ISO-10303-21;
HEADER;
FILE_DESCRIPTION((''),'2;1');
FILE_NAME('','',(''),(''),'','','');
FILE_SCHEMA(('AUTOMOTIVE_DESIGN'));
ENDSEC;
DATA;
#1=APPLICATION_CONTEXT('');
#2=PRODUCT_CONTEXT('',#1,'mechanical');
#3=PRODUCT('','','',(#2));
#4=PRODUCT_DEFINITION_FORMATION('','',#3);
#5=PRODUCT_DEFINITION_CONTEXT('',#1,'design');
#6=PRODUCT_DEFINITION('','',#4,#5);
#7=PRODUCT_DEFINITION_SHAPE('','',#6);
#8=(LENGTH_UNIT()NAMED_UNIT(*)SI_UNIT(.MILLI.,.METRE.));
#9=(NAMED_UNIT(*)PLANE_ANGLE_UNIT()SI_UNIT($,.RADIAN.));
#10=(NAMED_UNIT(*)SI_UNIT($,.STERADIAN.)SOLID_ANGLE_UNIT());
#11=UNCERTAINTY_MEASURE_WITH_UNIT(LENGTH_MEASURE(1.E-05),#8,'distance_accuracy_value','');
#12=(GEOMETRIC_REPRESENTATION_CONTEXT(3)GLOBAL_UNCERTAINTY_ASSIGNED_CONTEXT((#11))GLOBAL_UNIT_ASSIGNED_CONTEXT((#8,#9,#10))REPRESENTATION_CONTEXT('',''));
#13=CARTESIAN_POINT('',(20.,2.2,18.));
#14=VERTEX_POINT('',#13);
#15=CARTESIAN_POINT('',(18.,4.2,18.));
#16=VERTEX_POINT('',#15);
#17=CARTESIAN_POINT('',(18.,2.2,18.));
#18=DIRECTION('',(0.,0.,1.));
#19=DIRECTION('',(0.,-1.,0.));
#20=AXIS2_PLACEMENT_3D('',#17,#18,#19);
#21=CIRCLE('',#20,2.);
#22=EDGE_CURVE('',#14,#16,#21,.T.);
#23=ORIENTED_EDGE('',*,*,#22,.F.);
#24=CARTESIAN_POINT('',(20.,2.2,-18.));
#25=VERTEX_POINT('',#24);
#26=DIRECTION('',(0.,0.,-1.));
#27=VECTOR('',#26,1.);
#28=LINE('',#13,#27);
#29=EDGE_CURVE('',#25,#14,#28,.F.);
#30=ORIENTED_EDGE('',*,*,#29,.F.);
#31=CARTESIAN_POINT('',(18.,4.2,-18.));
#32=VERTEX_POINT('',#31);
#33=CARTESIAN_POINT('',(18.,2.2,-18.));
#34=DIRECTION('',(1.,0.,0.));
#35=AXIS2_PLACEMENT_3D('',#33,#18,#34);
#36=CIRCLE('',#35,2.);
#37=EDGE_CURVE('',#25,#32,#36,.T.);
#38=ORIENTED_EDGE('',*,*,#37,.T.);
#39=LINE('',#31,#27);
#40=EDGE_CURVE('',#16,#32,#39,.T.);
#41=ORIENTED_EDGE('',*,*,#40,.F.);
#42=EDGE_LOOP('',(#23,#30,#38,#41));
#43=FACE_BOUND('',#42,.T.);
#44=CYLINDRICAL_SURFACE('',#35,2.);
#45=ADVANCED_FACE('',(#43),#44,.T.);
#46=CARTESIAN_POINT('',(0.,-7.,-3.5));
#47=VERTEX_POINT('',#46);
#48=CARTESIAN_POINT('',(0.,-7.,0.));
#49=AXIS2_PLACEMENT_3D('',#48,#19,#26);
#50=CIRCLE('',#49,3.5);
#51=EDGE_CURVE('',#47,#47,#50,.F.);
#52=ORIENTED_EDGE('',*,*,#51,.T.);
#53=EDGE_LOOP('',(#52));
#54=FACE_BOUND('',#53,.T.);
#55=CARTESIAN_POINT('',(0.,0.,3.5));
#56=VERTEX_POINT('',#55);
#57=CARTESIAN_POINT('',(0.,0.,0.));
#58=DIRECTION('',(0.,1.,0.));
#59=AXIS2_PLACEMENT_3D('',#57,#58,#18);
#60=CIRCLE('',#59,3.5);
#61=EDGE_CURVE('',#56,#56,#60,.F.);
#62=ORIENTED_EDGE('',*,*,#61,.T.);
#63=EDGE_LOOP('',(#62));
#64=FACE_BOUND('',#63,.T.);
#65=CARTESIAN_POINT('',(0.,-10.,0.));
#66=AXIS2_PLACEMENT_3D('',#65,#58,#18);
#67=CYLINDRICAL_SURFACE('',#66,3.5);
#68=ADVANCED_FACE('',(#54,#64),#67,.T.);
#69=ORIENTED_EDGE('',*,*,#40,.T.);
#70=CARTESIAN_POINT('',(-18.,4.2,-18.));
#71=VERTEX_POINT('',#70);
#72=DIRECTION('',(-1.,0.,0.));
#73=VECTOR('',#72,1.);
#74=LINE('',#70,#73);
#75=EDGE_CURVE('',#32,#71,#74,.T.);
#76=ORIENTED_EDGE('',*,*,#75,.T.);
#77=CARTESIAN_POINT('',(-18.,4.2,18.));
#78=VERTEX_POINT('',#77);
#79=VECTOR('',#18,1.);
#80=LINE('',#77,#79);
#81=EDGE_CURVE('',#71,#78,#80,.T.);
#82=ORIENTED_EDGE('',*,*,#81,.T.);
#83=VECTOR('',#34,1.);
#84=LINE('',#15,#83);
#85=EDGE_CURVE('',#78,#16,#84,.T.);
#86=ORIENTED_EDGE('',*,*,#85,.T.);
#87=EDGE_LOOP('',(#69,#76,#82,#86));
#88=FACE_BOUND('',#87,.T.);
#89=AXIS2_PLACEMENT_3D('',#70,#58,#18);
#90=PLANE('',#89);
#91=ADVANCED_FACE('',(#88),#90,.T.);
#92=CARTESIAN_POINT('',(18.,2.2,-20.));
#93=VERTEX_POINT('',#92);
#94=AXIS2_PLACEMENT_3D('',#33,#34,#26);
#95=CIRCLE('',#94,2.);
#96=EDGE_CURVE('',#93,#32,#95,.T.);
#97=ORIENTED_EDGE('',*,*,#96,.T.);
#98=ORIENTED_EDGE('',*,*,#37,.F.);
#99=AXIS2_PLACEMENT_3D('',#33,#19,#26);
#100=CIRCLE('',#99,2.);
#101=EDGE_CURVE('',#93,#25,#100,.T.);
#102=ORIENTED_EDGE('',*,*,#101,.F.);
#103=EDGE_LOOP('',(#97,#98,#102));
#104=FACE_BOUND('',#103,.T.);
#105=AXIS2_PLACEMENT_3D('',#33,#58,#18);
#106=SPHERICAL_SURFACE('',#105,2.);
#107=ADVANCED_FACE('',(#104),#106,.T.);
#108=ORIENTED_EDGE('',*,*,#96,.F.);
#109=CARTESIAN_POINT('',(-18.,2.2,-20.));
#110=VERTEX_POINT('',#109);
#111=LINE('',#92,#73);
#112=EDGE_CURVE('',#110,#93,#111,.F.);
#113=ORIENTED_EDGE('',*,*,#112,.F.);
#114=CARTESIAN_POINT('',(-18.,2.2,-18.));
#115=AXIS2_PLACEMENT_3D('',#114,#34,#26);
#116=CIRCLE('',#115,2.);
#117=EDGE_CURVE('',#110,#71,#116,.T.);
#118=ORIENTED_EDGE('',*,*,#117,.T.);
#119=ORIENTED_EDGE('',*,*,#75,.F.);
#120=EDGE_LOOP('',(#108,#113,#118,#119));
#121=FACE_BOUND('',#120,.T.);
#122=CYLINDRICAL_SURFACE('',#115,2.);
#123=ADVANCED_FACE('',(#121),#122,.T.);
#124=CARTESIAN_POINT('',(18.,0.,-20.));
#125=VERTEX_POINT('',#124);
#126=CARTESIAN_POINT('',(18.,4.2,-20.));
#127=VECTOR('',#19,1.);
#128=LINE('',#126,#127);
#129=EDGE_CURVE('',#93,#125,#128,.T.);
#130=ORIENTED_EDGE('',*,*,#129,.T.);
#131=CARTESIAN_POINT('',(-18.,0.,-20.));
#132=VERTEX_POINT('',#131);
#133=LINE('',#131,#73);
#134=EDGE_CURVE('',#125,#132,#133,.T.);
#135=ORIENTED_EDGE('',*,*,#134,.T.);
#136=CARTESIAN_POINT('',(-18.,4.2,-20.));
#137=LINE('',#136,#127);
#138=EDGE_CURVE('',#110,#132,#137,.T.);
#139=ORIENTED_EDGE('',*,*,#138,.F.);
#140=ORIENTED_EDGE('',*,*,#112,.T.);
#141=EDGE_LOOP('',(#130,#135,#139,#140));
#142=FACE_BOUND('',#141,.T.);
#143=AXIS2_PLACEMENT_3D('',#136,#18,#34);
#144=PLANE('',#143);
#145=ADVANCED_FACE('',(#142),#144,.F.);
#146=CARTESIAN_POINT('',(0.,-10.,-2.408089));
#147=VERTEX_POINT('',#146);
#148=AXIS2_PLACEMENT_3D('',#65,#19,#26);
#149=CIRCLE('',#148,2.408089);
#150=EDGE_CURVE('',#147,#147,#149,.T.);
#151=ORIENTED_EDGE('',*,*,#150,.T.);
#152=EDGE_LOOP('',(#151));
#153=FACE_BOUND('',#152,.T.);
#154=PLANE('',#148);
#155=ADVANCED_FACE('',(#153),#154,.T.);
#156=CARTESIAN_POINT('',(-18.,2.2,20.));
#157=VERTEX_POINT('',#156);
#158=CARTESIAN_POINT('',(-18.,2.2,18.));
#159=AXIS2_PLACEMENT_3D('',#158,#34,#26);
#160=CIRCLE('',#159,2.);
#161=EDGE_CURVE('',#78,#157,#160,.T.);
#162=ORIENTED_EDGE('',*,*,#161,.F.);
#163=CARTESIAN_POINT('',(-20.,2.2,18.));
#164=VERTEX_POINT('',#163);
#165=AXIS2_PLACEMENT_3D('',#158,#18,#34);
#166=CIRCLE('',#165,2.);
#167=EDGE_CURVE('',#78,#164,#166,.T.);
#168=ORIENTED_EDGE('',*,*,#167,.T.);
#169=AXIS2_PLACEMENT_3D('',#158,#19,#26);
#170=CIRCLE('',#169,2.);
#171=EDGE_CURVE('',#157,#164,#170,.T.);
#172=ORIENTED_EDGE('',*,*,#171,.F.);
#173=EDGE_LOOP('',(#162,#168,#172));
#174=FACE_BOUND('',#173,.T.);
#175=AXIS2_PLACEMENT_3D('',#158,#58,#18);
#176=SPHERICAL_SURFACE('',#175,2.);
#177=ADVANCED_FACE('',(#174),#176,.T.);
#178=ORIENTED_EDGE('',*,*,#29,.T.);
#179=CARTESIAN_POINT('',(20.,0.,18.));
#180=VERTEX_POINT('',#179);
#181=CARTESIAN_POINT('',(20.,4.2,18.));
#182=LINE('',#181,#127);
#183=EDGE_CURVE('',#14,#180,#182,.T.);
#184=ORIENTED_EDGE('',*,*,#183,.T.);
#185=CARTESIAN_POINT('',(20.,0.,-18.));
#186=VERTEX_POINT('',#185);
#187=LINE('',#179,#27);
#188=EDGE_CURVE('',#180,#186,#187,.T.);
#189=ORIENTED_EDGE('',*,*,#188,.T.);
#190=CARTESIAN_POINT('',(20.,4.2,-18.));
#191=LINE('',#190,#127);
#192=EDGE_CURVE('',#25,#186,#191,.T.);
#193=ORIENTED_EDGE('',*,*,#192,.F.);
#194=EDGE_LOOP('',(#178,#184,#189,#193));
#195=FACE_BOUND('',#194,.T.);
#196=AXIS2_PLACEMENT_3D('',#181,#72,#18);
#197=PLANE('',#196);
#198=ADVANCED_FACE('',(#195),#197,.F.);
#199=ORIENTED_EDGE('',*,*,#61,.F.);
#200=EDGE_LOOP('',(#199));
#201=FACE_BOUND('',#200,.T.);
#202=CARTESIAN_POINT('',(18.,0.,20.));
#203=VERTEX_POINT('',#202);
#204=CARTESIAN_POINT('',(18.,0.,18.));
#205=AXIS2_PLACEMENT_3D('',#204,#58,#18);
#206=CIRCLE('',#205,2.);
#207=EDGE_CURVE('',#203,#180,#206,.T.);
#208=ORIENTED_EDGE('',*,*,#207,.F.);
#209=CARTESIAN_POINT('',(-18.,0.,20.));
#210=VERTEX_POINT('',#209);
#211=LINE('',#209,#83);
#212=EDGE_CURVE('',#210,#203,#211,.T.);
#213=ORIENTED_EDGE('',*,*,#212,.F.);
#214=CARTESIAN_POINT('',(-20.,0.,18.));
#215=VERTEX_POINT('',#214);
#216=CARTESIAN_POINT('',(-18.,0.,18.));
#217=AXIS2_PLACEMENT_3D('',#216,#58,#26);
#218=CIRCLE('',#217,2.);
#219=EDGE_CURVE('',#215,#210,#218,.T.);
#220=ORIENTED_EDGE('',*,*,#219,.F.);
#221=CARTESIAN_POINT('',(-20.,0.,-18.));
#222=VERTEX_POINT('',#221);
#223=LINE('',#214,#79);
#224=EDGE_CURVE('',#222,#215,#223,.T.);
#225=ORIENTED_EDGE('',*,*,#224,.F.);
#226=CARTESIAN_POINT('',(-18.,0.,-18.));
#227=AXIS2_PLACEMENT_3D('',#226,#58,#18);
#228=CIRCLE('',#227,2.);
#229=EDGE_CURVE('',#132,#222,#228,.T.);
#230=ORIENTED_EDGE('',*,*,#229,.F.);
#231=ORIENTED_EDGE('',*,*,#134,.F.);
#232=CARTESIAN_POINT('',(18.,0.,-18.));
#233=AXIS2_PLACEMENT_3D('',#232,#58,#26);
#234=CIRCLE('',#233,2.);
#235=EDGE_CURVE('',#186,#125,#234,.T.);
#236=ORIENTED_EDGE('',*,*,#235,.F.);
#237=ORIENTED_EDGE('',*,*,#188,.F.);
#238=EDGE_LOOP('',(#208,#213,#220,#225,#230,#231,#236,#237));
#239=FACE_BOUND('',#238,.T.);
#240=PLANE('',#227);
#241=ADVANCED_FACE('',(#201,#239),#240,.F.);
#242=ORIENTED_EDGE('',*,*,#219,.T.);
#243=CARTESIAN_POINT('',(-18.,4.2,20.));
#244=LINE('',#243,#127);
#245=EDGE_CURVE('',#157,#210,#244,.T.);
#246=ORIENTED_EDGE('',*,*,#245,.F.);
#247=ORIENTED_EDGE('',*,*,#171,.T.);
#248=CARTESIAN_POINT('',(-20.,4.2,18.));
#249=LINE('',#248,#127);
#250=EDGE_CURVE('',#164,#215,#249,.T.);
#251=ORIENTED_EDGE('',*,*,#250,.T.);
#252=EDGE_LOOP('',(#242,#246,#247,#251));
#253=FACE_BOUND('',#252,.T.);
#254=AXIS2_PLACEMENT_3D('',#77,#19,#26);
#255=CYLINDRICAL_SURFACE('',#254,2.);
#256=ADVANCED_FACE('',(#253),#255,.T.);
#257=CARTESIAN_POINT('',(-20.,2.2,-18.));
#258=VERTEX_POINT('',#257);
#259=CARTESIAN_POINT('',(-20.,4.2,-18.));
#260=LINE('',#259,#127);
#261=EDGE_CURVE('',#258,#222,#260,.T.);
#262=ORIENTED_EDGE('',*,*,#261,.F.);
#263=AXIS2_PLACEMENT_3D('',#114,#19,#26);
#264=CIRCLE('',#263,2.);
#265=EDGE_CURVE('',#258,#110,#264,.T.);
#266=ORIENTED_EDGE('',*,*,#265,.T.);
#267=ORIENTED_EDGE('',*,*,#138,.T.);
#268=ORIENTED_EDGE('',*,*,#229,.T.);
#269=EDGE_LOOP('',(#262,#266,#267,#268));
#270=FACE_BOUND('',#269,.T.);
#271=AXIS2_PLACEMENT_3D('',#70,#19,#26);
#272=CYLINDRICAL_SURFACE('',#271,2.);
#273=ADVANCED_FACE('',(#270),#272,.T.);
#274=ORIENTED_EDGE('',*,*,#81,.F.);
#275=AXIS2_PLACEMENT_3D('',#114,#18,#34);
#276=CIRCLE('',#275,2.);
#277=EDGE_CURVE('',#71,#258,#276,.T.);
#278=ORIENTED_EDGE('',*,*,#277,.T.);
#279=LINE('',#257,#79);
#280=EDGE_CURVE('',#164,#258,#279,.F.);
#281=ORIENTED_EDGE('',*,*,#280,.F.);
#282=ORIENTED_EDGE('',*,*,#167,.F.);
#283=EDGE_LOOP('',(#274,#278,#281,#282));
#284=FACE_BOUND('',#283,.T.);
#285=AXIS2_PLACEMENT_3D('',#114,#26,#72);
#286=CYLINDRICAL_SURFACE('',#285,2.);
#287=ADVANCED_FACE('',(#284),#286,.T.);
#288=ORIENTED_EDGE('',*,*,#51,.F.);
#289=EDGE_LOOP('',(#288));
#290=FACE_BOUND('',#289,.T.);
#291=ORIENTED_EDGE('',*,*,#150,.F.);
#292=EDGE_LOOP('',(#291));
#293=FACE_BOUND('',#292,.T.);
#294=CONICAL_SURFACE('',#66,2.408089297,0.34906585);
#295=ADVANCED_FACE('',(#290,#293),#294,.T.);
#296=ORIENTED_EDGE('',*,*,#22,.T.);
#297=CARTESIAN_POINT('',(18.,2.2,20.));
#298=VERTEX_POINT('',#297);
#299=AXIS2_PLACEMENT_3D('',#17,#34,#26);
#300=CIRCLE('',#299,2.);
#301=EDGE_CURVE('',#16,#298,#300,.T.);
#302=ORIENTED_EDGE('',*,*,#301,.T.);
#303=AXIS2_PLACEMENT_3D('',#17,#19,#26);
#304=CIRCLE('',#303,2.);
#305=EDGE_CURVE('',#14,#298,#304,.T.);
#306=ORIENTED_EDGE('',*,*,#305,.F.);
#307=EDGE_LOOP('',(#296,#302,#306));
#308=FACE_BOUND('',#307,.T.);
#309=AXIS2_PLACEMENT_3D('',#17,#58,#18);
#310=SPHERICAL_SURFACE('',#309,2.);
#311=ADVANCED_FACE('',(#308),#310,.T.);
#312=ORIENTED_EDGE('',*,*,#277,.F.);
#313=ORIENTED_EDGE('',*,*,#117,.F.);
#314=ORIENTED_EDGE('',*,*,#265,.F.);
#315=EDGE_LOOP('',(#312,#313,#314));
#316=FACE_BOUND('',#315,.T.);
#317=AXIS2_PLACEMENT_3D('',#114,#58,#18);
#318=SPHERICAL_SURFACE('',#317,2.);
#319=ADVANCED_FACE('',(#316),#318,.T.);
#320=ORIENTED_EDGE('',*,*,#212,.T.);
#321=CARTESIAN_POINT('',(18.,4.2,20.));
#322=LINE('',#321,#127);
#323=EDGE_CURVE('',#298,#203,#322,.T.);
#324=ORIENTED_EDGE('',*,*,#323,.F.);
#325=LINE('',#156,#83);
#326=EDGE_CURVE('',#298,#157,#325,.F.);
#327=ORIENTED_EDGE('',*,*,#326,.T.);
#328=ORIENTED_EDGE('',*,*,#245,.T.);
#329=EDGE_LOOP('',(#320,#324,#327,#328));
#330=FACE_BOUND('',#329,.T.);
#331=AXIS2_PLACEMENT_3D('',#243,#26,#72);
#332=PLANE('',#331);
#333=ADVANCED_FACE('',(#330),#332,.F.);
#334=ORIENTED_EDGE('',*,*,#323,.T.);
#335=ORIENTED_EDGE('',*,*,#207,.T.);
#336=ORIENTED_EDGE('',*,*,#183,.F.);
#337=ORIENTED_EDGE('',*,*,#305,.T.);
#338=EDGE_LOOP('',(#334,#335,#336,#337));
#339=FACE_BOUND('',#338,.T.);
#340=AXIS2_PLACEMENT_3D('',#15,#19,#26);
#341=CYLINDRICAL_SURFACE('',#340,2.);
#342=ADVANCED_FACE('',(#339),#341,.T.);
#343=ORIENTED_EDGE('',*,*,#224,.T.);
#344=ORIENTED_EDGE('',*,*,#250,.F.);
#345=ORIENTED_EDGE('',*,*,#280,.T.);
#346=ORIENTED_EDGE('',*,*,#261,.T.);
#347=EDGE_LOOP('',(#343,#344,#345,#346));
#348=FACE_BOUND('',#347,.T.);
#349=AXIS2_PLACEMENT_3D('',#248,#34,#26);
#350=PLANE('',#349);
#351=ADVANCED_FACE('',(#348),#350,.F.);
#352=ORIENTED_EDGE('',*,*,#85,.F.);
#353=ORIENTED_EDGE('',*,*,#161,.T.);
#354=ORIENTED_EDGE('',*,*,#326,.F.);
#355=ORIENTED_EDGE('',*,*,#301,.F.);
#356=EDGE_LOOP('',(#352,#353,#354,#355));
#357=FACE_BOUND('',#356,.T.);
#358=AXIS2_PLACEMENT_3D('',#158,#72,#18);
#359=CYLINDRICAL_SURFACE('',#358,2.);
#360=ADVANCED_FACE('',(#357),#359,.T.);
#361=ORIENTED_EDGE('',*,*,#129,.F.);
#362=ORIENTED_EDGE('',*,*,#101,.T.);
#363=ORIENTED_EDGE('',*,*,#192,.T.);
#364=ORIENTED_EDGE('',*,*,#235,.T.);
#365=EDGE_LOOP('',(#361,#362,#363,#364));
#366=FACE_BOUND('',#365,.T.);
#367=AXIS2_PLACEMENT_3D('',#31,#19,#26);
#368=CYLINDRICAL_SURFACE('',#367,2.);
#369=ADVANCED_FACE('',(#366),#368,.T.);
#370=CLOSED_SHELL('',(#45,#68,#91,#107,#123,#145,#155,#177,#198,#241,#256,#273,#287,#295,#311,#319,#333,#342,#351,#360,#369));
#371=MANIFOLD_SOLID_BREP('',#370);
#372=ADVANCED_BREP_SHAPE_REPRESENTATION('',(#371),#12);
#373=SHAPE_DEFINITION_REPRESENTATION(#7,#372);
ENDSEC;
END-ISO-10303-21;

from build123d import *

# Parameters (mm, degrees)
AUFSATZ_LINEAR_AUSTRAGEN1_DEPTH = 4.2
VERRUNDUNG1_R                   = 2
SKIZZE2_R                       = 3.5
AUFSATZ_LINEAR_AUSTRAGEN2_DEPTH = 10
FASE1_SIZE                      = 3
FASE1_SIZE2                     = 1.091910703


with BuildPart() as part:
    # Skizze1 → Aufsatz-Linear austragen1 (new body)
    with BuildSketch(Plane(origin=(0, 0, 0), x_dir=(1, 0, 0), z_dir=(0, 1, 0))):
        with BuildLine():
            Line((-20, -18), (-20, 18))
            ThreePointArc((-20, 18), (-19.414213562, 19.414213562), (-18, 20))
            Line((-18, 20), (18, 20))
            ThreePointArc((18, 20), (19.414213562, 19.414213562), (20, 18))
            Line((20, 18), (20, -18))
            ThreePointArc((20, -18), (19.414213562, -19.414213562), (18, -20))
            Line((18, -20), (-18, -20))
            ThreePointArc((-18, -20), (-19.414213562, -19.414213562), (-20, -18))
        make_face()
    extrude(amount=AUFSATZ_LINEAR_AUSTRAGEN1_DEPTH)

    # Verrundung1
    verrundung1_edges = [part.edges().sort_by_distance(p)[0] for p in [
        (-19.414213562, 4.2, 19.414213562),
        (0, 4.2, 20),
        (19.414213562, 4.2, 19.414213562),
        (20, 4.2, 0),
        (19.414213562, 4.2, -19.414213562),
        (0, 4.2, -20),
        (-19.414213562, 4.2, -19.414213562),
        (-20, 4.2, 0),
    ]]
    fillet(verrundung1_edges, radius=VERRUNDUNG1_R)

    # Skizze2 → Aufsatz-Linear austragen2 (add)
    with BuildSketch(Plane.XZ):
        with Locations(Location((0, 0, 0), (0, 0, 90))):
            Circle(SKIZZE2_R)
    extrude(amount=AUFSATZ_LINEAR_AUSTRAGEN2_DEPTH)

    # Fase1
    fase1_edges = [part.edges().sort_by_distance(p)[0] for p in [
        (0, -10, -3.5),
    ]]
    fase1_side = [part.faces().sort_by_distance(p)[0] for p in [
        (0, -5, -3.5),
    ]]
    chamfer(fase1_edges, length=FASE1_SIZE, length2=FASE1_SIZE2, reference=fase1_side[0])


solid = part.part
